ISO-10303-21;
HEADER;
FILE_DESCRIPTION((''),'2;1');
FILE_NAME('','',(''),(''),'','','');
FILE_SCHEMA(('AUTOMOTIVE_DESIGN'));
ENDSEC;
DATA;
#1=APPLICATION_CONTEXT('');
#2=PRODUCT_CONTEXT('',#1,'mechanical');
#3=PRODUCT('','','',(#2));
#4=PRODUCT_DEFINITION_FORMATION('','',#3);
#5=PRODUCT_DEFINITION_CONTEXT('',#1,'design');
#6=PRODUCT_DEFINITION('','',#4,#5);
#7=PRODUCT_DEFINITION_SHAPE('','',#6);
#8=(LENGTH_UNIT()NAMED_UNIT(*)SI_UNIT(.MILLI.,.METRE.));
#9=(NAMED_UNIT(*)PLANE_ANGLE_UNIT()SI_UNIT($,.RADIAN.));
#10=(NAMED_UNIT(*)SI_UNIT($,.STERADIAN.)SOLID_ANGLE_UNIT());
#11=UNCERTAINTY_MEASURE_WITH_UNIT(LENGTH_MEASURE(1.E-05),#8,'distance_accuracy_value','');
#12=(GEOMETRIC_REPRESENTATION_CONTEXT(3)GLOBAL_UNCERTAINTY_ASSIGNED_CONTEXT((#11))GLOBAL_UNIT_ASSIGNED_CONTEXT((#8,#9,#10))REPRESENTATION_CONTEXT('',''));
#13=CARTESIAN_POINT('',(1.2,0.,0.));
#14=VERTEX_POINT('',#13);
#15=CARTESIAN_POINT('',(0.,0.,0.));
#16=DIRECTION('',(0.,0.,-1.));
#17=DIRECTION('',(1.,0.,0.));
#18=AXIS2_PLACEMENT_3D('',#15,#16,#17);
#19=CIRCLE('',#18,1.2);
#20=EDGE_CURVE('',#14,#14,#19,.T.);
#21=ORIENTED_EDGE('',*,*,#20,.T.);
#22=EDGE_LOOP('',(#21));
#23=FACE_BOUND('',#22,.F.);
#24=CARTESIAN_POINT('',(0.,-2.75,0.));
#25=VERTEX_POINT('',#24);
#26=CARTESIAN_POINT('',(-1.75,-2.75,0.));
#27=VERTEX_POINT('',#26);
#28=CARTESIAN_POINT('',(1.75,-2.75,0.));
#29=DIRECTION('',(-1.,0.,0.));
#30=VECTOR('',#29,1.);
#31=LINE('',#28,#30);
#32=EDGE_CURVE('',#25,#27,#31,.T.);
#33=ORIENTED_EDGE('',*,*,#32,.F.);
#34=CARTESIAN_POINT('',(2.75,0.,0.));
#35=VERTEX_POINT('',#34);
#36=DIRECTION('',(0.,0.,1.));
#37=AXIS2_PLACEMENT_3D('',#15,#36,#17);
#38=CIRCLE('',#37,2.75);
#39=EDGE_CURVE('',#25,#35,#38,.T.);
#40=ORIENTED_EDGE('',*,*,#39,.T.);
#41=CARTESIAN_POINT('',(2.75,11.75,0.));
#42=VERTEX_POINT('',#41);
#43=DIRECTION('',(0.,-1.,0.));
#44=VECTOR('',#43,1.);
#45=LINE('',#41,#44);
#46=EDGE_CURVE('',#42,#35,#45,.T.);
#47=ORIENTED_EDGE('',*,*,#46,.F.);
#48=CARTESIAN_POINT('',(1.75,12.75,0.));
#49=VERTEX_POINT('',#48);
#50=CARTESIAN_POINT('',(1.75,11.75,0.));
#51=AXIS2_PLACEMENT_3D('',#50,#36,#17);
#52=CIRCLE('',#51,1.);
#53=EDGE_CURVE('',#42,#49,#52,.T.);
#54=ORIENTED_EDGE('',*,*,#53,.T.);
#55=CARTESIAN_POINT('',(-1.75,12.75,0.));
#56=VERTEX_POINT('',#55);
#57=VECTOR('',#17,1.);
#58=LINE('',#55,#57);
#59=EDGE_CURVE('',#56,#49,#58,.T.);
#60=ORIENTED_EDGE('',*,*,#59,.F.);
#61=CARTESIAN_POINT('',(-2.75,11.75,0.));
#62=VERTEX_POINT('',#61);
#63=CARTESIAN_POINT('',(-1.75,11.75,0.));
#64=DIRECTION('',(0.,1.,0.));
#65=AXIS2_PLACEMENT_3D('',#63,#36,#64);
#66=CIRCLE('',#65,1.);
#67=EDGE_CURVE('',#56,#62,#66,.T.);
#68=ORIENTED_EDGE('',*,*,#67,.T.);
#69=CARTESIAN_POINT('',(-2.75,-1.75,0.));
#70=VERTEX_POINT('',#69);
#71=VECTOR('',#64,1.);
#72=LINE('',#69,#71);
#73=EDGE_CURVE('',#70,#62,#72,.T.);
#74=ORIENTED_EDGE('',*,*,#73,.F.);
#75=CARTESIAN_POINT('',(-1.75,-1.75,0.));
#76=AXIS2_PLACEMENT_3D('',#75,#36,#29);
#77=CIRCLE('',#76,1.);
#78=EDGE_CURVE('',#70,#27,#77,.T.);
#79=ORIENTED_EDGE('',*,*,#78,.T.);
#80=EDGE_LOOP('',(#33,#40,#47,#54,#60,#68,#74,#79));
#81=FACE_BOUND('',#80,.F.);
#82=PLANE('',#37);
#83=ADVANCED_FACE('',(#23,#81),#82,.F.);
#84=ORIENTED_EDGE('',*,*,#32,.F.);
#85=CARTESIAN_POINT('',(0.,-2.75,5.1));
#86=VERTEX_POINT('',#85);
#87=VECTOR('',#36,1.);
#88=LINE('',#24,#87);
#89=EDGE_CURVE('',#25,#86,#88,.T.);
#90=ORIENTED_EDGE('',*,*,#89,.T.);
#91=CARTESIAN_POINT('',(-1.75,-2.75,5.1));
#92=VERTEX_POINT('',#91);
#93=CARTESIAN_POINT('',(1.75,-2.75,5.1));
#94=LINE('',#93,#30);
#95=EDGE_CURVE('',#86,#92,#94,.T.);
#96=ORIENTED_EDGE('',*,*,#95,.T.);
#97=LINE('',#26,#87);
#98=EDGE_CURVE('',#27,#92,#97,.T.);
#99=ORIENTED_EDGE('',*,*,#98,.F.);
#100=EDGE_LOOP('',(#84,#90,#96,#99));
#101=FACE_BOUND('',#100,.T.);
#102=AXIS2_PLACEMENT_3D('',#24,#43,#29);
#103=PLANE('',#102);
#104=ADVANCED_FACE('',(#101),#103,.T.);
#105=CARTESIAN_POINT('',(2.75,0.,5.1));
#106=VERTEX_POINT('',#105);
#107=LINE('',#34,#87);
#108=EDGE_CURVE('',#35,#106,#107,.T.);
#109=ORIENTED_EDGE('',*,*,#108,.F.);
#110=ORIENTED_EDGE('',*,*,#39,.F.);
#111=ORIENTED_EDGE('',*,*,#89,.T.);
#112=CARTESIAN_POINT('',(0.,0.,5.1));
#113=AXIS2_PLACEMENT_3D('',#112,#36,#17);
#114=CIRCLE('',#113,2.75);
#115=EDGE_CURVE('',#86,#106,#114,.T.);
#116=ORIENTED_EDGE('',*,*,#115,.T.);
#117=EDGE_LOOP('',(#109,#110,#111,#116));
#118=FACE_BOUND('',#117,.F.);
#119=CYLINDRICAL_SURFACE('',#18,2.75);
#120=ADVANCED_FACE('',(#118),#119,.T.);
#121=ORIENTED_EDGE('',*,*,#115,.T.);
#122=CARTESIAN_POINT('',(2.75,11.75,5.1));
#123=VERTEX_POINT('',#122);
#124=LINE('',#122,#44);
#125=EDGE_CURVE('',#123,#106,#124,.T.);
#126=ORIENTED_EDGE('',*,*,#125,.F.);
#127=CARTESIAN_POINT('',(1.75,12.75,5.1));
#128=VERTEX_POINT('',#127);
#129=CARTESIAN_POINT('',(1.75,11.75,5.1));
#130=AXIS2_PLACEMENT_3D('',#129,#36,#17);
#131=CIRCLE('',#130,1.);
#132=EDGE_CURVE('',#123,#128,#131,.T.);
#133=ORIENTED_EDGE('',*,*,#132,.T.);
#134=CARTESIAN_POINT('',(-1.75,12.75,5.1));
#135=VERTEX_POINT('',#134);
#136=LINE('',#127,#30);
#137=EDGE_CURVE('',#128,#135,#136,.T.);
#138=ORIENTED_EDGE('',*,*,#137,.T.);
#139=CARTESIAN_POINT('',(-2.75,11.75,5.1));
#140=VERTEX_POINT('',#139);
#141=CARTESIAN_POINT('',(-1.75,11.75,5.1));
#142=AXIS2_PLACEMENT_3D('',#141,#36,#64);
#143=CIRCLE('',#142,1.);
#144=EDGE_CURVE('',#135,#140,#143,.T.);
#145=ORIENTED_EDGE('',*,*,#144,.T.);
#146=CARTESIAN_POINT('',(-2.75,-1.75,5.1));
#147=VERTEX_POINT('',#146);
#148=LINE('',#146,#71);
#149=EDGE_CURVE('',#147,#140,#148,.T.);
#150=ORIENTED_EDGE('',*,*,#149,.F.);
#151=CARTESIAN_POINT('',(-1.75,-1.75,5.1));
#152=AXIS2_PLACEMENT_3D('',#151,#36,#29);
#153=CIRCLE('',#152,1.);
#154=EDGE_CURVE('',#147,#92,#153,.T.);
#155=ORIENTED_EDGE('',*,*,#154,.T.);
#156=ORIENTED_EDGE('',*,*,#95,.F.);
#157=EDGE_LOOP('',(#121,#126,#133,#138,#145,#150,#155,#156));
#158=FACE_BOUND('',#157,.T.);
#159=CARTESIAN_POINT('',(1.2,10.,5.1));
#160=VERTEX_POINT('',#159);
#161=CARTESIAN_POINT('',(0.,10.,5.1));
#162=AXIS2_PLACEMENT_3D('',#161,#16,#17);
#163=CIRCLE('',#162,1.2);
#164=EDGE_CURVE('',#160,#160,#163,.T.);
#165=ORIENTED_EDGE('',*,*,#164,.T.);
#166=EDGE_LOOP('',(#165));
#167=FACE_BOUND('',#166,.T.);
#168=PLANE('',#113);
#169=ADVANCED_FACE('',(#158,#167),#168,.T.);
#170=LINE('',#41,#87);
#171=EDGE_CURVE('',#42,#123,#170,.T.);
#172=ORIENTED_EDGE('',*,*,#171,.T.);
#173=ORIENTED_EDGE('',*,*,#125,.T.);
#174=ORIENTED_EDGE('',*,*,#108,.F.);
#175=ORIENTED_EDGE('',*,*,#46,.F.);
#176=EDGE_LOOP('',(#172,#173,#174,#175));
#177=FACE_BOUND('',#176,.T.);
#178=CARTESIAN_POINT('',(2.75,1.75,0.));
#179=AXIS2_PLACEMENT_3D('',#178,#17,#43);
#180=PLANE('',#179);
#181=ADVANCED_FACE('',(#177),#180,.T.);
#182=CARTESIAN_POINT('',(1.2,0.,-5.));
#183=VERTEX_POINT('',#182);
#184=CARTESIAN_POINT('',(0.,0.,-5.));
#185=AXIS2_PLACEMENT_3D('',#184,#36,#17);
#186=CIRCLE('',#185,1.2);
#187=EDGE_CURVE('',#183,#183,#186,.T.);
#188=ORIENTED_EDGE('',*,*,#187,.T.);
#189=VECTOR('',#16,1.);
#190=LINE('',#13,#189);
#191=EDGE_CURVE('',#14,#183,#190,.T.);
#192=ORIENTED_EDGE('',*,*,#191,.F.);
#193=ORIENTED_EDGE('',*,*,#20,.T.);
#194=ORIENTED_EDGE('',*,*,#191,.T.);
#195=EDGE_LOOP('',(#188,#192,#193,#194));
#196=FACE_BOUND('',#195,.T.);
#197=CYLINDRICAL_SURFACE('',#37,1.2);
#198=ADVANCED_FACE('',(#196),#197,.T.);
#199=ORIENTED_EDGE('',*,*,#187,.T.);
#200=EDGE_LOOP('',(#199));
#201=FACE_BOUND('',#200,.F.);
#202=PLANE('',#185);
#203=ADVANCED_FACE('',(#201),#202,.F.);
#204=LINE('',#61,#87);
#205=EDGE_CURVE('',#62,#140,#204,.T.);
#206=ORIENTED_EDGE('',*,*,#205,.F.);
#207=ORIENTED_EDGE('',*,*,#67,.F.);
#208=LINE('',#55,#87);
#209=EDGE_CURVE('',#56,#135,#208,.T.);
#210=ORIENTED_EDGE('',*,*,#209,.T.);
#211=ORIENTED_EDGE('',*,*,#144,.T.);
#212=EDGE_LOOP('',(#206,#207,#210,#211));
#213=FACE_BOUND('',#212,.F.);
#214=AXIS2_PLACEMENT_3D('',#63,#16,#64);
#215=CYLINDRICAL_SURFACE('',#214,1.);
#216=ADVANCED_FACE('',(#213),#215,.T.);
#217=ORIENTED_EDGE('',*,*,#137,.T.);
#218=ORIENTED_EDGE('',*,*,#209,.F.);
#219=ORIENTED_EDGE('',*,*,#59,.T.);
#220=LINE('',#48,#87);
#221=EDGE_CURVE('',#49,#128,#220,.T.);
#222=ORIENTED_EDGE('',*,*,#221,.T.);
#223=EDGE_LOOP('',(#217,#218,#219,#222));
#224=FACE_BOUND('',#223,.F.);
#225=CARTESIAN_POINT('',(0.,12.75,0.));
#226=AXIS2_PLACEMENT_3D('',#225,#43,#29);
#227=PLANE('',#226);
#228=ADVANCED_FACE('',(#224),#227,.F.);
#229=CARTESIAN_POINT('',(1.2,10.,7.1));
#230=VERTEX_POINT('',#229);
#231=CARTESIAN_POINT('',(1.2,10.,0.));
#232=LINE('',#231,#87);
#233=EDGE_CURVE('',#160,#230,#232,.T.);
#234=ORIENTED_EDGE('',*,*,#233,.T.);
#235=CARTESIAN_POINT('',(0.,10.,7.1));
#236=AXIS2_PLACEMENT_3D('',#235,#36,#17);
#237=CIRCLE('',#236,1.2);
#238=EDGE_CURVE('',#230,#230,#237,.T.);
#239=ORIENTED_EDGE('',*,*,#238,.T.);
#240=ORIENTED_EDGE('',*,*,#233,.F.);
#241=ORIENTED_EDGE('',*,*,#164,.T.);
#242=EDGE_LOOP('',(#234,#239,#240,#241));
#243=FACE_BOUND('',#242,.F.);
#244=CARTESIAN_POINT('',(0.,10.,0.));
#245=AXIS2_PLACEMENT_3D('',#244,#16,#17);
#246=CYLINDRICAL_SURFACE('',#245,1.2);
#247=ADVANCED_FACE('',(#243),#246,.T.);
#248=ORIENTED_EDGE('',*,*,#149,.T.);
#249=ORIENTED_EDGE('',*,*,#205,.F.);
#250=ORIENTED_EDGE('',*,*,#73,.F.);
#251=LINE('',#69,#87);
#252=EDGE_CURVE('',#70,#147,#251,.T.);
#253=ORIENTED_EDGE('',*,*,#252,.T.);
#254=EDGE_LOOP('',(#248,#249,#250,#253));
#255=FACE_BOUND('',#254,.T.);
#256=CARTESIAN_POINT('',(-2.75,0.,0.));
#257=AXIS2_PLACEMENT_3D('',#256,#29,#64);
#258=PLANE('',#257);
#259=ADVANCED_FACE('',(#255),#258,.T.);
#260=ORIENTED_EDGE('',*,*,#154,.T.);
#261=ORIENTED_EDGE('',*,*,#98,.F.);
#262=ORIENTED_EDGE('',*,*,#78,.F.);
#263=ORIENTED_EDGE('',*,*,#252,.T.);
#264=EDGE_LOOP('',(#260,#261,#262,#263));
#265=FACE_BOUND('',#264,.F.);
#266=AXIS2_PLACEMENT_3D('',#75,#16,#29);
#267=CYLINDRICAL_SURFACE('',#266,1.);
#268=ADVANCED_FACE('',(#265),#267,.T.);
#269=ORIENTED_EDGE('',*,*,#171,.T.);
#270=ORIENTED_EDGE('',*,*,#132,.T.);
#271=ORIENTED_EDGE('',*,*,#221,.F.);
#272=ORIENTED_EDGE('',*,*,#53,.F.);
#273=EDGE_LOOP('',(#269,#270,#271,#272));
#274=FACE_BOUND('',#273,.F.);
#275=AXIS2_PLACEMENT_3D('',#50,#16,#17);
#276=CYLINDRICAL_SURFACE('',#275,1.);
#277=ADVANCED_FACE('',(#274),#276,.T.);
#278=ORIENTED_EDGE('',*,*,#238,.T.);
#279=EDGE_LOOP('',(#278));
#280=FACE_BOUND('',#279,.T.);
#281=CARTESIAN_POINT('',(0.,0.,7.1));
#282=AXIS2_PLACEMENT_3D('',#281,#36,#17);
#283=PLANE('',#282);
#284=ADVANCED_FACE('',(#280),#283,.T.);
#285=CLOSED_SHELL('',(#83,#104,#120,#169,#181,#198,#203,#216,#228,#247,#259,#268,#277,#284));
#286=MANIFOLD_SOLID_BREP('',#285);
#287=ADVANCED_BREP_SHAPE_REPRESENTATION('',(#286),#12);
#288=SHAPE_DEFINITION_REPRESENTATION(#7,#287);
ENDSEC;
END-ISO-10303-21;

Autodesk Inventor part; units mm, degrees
ref_plane "YZ Plane" through (0, 0, 0) normal (1, 0, 0) x (0, 1, 0)
ref_plane "XZ Plane" through (0, 0, 0) normal (0, 1, 0) x (-1, 0, 0)
ref_plane "XY Plane" through (0, 0, 0) normal (0, 0, 1) x (1, 0, 0)
sketch "Sketch1" plane through (0, 0, 0) normal (0, 0, 1) x (1, 0, 0)
  circle A0 centre (0, 0) radius 1.2
  circle A1 centre (0, 0) radius 2.75
  line L0 (-1.75, 2.75) -> (1.75, 2.75)
  line L1 (2.75, 1.75) -> (2.75, -1.75)
  line L2 (1.75, -2.75) -> (-1.75, -2.75)
  line L3 (-2.75, -1.75) -> (-2.75, 1.75)
  arc A2 (-1.75, 2.75) -> (-2.75, 1.75) centre (-1.75, 1.75) ccw
  arc A3 (2.75, 1.75) -> (1.75, 2.75) centre (1.75, 1.75) ccw
  arc A4 (1.75, -2.75) -> (2.75, -1.75) centre (1.75, -1.75) ccw
  arc A5 (-2.75, -1.75) -> (-1.75, -2.75) centre (-1.75, -1.75) ccw
  line L4 (-2.75, 0) -> (2.75, 0)
  line L5 (2.75, 0) -> (2.75, 11.75)
  line L6 (1.75, 12.75) -> (-1.75, 12.75)
  line L7 (-2.75, 11.75) -> (-2.75, 0)
  circle A6 centre (0, 10) radius 2.75
  circle A7 centre (0, 10) radius 1.2
  arc A8 (-1.75, 12.75) -> (-2.75, 11.75) centre (-1.75, 11.75) ccw
  arc A9 (2.75, 11.75) -> (1.75, 12.75) centre (1.75, 11.75) ccw
  point P0 (-2.75, 0)
  point P1 (0, -2.75)
  point P2 (0, 0)
  point P3 (-2.75, 1.75)
  point P4 (2.75, 0)
  dimension "d0" = 2.4
  dimension "d1" = 5.5
  dimension "d2" = 1
  dimension "d3" = 1
  dimension "d4" = 1
  dimension "d11" = 2.4
  dimension "d12" = 10
  dimension "d13" = 1
  dimension "d14" = 1
extrude "Extrusion1" add sketch "Sketch1" against normal blind 5 contours L4 A0 | A0 L4
extrude "Extrusion2" add sketch "Sketch1" along normal blind 5.1 contours L4 A0 | L4 A1 A0 | A0 L4 A1 | A0 L4 | A1 L0 A3 L1 | L3 A2 L0 A1 | A1 L2 A5 L3 | L0 A2 L7 A6 L5 A3 | A6 L6 A9 L5 | A6 | L7 A8 L6 A6 | A7
extrude "Extrusion3" add sketch "Sketch1" along normal blind 7.1 contours A7
equation "\"d11\" = d0"
properties part number "rpi_base_back_3DPrint"
